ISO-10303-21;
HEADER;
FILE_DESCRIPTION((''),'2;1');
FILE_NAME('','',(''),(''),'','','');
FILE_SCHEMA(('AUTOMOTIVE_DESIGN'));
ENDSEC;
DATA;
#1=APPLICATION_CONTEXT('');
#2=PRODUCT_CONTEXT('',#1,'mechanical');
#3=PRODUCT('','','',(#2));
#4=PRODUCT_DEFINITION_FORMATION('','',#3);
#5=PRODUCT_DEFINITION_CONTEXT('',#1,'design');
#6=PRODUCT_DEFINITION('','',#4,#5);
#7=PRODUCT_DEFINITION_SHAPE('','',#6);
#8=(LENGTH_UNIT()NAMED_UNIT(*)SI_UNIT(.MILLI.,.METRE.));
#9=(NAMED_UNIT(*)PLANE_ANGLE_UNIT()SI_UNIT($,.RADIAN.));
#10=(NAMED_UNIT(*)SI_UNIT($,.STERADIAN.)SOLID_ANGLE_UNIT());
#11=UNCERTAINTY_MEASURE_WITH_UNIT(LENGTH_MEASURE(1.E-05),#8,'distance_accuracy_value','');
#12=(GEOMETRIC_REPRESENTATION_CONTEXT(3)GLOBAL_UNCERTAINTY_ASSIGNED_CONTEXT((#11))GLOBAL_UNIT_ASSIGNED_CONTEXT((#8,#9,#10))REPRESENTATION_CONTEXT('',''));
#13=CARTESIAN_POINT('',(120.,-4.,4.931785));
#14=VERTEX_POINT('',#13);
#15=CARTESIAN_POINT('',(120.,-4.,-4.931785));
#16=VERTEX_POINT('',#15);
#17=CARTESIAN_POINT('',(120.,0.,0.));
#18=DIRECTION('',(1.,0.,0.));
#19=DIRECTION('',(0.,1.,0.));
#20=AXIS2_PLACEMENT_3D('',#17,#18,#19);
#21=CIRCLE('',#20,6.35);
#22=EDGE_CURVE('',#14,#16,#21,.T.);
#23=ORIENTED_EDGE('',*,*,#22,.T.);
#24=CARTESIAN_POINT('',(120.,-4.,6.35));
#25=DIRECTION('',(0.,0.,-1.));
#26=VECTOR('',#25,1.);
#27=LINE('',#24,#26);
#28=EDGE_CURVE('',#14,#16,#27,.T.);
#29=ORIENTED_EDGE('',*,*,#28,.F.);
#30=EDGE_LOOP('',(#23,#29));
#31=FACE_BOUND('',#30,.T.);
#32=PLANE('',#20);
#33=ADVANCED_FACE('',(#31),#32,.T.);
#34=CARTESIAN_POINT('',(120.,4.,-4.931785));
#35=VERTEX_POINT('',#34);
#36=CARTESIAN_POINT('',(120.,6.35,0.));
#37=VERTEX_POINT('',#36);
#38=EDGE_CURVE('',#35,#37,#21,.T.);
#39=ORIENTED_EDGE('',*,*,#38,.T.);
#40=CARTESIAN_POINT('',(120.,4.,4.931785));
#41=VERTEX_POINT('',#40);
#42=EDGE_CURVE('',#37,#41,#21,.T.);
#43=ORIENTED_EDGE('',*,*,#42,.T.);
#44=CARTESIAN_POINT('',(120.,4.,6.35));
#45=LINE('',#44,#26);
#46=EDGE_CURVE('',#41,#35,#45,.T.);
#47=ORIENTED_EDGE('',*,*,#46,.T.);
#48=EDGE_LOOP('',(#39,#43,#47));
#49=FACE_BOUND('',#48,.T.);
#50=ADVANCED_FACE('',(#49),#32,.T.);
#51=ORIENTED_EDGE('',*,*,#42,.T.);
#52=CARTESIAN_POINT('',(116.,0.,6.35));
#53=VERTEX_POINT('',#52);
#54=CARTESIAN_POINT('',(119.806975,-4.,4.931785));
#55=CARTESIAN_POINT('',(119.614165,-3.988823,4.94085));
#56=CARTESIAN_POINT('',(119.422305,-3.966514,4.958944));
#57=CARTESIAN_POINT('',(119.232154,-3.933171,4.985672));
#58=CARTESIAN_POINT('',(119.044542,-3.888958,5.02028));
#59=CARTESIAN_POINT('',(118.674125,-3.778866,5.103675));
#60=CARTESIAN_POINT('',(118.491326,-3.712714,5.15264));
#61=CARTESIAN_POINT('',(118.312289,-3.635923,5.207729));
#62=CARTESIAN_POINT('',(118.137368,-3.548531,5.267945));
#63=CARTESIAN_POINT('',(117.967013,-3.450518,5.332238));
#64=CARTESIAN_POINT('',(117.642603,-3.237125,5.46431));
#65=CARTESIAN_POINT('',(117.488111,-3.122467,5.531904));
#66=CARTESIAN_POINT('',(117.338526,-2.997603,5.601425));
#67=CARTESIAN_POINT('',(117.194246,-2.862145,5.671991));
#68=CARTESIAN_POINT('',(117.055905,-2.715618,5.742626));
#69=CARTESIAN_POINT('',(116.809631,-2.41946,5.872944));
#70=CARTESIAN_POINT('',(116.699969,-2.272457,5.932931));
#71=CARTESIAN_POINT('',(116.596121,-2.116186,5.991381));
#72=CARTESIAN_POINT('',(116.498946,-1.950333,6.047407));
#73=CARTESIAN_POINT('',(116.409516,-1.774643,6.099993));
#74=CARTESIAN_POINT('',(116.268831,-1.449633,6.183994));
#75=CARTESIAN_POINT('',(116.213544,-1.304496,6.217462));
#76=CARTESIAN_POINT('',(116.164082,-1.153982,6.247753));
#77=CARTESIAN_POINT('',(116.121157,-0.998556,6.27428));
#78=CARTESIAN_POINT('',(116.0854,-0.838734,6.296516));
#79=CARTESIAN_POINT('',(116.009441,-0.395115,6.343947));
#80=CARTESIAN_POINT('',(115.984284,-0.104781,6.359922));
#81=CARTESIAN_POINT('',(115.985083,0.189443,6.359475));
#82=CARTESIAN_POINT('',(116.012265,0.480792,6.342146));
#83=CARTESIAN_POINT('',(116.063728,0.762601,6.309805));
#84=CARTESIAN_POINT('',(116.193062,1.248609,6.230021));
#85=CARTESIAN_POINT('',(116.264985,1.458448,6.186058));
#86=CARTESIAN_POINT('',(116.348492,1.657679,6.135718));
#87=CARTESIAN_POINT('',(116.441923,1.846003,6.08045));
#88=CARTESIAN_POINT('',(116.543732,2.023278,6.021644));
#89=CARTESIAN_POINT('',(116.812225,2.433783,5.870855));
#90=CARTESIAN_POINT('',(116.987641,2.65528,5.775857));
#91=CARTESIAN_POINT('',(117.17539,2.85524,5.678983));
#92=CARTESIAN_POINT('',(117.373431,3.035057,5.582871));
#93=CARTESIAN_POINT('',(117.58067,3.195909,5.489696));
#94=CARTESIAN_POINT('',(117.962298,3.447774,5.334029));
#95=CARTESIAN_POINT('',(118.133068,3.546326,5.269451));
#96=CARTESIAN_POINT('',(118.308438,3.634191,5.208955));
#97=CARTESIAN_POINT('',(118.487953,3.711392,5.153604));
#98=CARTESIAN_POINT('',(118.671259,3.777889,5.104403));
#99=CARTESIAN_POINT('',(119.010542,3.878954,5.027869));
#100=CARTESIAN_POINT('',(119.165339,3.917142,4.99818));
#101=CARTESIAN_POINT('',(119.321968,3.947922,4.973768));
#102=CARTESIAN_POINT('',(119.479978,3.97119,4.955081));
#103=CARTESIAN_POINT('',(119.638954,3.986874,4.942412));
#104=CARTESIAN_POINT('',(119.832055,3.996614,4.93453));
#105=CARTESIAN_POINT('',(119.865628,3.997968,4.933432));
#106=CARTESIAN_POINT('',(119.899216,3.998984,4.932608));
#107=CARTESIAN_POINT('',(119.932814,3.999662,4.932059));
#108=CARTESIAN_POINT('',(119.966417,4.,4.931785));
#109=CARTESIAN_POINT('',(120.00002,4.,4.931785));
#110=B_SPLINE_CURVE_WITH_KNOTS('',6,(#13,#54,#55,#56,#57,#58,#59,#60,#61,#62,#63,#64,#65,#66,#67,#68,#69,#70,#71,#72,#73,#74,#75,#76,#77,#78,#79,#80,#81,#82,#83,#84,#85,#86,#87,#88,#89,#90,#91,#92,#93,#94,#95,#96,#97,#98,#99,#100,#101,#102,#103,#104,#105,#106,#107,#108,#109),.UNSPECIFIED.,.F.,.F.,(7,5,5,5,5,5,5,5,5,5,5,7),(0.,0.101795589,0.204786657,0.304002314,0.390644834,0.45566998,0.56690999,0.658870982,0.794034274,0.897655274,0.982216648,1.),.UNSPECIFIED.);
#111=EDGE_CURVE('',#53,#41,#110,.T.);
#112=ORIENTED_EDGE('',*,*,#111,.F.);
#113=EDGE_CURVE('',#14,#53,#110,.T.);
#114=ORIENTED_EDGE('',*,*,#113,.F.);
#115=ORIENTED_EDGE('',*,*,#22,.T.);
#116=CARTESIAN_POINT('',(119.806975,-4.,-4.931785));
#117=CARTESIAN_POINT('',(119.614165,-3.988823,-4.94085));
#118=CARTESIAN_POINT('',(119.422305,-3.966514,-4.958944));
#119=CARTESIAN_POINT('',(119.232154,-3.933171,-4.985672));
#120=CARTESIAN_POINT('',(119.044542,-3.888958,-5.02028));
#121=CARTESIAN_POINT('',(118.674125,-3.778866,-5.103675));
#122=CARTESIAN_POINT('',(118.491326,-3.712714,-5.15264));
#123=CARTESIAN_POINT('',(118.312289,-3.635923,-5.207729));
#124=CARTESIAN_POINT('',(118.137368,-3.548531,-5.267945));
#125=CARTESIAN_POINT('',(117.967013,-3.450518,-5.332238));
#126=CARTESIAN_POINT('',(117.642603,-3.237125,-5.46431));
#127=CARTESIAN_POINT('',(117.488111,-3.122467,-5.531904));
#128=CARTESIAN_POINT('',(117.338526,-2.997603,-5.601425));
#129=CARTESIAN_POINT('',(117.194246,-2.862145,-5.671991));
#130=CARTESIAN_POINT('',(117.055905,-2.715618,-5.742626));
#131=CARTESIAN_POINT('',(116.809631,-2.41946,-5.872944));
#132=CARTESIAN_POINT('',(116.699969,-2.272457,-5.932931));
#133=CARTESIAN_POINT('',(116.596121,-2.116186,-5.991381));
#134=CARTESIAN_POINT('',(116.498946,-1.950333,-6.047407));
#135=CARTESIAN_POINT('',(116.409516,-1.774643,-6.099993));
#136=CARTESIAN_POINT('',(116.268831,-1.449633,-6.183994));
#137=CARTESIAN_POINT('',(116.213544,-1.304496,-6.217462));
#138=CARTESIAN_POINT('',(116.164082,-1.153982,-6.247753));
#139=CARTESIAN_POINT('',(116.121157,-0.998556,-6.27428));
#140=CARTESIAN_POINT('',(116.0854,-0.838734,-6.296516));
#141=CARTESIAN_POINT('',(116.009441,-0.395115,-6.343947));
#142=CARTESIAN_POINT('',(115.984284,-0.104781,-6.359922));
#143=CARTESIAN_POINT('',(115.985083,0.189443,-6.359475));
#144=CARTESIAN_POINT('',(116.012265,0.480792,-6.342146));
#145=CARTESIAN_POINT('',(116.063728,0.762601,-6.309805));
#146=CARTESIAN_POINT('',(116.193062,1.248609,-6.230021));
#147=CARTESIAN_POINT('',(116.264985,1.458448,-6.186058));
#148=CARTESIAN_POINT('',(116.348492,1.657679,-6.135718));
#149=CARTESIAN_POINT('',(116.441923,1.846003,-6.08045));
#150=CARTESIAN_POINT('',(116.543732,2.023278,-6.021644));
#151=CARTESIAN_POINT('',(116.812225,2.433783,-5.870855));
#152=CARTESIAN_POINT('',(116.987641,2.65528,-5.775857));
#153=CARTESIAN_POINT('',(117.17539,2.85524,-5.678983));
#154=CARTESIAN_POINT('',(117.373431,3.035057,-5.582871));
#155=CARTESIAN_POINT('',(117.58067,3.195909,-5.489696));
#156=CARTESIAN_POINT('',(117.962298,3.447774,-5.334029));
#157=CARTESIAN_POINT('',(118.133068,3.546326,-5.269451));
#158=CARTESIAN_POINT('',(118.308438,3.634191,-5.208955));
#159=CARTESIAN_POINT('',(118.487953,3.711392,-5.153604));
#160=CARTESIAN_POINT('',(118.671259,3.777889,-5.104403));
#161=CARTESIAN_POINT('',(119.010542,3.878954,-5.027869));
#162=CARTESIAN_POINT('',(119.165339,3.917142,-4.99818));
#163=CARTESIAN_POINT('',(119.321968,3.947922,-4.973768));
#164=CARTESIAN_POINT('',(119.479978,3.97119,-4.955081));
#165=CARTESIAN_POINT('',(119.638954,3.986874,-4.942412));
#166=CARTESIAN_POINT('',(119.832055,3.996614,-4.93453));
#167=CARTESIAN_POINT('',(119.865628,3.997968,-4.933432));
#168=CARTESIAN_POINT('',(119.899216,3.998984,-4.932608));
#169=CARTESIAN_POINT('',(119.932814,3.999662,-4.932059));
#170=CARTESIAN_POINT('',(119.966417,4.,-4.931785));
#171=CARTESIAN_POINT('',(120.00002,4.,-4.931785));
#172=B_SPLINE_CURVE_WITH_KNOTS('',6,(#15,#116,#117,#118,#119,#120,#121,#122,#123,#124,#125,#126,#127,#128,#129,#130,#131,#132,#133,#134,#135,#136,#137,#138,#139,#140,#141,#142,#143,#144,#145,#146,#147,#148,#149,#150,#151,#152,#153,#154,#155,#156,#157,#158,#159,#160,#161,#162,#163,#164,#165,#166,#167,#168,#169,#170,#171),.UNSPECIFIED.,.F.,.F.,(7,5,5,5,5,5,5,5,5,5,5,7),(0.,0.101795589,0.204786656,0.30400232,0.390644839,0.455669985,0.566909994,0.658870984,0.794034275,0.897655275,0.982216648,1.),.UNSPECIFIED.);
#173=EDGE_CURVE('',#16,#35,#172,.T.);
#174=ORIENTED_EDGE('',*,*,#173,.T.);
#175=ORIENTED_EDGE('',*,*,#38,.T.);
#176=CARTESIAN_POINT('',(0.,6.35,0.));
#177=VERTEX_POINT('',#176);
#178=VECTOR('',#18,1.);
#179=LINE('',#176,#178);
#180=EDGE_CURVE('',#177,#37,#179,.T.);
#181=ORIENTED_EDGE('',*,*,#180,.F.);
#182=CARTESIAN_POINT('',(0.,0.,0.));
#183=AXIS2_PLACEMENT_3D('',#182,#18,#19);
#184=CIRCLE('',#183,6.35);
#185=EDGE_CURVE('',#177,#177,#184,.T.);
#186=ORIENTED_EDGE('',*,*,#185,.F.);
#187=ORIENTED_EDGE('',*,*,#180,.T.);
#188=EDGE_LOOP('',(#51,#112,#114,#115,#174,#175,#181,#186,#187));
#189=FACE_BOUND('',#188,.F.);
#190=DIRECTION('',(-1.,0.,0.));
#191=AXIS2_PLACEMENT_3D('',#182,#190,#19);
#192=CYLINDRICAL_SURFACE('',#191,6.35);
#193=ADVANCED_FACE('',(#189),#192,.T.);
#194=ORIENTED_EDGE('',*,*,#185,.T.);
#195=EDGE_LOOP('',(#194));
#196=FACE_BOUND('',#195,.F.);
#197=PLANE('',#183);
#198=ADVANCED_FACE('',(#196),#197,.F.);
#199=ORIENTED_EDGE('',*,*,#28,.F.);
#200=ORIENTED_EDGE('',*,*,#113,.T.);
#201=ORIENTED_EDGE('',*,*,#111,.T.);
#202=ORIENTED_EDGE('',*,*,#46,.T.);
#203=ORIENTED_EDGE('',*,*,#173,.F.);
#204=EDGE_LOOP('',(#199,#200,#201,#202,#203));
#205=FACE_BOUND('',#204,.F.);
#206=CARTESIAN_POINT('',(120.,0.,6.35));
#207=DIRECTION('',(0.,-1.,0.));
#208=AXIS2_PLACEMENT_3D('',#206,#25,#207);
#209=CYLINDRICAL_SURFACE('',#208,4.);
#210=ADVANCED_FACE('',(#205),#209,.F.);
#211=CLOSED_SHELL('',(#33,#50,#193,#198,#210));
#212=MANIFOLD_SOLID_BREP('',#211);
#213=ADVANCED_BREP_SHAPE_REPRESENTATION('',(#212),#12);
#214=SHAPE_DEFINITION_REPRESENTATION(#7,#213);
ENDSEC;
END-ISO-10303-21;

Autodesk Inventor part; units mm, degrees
ref_plane "YZ Plane" through (0, 0, 0) normal (1, 0, 0) x (0, 1, 0)
ref_plane "XZ Plane" through (0, 0, 0) normal (0, 1, 0) x (-1, 0, 0)
sketch "Sketch1" plane through (0, 0, 0) normal (1, 0, 0) x (0, 1, 0)
  circle A0 centre (0, 0) radius 6.35
  circle A1 centre (0, 0) radius 6.35 construction
extrude "Extrusion1" add sketch "Sketch1" along normal blind 120
ref_plane "Work Plane1" through (0, 0, 6.35) normal (0, 0, 1) x (1, 0, 0)
sketch "Sketch2" plane through (0, 0, 6.35) normal (0, 0, 1) x (1, 0, 0)
  line L0 (120, -6.35) -> (120, 6.35) construction
  line L1 (-38, 0) -> (158, 0) construction
  line L2 (0, -6.35) -> (0, 6.35) projected
  point P0 (0, 0)
  point P1 (120, 0)
  dimension "d11" = 120
hole "Hole1" at (120, 0, 6.35) direction (0, 0, -1) diameter 8 end through all
sketch "Sketch3" plane through (0, 0, 0) normal (0, 0, 1) x (1, 0, 0)
  point P0 (0, 0)
  point P1 (-10, 0)
  point P2 (116, 0)
  dimension "d13" = 126
equation "\"d1\" = ShortArmLen"
equation "\"d11\" = ShortArmLen"
equation "\"ShortArmLen\" = 120"
properties part number "Short Arm" material "Wood (Oak)"
